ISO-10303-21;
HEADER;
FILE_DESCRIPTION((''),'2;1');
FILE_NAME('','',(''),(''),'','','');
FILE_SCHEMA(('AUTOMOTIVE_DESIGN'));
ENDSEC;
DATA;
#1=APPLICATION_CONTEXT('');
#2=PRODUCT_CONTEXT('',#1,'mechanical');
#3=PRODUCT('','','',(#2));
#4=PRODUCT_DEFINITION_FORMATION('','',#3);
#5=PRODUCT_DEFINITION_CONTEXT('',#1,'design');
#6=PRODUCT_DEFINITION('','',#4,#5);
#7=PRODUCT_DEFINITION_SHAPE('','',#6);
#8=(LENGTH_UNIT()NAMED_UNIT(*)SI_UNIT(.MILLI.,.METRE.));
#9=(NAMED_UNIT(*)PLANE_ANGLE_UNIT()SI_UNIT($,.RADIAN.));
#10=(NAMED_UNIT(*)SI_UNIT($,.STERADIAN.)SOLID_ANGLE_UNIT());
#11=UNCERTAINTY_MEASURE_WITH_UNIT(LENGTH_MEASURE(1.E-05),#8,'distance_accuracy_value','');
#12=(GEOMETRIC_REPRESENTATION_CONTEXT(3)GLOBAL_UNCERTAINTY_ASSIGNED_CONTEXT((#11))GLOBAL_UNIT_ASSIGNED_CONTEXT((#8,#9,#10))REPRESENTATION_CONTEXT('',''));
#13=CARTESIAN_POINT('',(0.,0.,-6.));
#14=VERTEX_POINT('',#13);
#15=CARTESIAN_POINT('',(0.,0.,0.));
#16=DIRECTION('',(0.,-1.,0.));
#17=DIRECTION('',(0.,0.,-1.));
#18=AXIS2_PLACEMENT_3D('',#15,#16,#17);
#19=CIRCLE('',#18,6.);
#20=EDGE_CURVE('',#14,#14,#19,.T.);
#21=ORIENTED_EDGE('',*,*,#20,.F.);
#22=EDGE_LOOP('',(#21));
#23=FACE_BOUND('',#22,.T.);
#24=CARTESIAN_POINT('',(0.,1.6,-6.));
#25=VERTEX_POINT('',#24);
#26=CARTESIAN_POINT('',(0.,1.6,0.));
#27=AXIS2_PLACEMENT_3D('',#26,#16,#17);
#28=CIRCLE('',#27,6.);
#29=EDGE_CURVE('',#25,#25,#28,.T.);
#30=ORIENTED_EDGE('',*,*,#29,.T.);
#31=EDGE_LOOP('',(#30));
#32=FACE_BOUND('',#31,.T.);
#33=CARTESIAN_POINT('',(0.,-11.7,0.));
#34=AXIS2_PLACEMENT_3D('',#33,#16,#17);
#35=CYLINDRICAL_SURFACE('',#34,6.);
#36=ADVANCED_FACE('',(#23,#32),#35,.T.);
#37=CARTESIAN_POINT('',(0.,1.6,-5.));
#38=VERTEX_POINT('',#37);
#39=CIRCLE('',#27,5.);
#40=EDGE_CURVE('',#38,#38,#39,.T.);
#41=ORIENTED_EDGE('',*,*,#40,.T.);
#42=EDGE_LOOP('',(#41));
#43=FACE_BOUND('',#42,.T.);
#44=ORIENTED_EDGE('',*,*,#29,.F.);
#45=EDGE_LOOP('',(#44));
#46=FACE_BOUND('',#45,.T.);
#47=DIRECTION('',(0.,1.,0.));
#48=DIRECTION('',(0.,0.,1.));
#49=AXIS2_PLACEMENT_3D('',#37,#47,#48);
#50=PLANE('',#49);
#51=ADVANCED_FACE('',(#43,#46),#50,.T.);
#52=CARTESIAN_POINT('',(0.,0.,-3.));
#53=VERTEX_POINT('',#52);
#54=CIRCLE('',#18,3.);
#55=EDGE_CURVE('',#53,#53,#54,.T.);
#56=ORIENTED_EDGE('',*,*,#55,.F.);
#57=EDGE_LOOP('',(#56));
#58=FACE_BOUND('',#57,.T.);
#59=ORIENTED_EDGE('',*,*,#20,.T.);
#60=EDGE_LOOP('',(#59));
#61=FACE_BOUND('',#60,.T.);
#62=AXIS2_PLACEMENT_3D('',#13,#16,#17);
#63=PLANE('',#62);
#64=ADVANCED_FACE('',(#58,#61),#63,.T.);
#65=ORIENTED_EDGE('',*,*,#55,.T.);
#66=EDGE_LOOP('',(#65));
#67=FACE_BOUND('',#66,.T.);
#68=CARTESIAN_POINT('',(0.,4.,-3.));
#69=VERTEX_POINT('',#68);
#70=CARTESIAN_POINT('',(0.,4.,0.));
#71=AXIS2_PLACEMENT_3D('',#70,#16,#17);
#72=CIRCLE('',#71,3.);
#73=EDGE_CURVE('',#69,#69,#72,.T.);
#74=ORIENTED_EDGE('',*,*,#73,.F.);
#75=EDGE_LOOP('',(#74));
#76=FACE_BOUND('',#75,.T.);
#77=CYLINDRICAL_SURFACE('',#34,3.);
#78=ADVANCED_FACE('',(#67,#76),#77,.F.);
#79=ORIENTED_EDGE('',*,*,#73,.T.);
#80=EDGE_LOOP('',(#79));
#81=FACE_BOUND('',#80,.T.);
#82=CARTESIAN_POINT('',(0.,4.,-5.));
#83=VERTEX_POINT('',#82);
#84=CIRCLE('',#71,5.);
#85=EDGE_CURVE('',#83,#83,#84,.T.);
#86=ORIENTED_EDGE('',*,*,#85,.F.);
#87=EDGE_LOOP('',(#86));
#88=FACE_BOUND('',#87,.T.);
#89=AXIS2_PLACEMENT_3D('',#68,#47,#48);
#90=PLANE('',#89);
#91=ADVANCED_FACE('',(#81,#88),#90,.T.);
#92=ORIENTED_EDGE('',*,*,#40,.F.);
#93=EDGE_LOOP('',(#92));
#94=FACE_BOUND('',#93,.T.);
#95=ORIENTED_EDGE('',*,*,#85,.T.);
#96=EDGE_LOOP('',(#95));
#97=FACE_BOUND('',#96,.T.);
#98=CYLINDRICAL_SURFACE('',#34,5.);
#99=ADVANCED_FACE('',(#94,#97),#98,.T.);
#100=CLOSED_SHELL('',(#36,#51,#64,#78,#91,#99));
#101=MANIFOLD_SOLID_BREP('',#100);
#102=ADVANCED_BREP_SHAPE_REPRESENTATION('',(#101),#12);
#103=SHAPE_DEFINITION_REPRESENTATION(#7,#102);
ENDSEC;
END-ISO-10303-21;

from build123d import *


with BuildPart() as part:
    # Esquisse1 → Révolution1 (revolve)
    with BuildSketch(Plane(origin=(0, 0, 0), x_dir=(0, 0, -1), z_dir=(1, 0, 0))):
        Polygon((3, 0), (3, 4), (5, 4), (5, 1.6), (6, 1.6), (6, 0), align=None)
    revolve(axis=Axis((0, -11.7, 0), (0, 1, 0)))


solid = part.part
